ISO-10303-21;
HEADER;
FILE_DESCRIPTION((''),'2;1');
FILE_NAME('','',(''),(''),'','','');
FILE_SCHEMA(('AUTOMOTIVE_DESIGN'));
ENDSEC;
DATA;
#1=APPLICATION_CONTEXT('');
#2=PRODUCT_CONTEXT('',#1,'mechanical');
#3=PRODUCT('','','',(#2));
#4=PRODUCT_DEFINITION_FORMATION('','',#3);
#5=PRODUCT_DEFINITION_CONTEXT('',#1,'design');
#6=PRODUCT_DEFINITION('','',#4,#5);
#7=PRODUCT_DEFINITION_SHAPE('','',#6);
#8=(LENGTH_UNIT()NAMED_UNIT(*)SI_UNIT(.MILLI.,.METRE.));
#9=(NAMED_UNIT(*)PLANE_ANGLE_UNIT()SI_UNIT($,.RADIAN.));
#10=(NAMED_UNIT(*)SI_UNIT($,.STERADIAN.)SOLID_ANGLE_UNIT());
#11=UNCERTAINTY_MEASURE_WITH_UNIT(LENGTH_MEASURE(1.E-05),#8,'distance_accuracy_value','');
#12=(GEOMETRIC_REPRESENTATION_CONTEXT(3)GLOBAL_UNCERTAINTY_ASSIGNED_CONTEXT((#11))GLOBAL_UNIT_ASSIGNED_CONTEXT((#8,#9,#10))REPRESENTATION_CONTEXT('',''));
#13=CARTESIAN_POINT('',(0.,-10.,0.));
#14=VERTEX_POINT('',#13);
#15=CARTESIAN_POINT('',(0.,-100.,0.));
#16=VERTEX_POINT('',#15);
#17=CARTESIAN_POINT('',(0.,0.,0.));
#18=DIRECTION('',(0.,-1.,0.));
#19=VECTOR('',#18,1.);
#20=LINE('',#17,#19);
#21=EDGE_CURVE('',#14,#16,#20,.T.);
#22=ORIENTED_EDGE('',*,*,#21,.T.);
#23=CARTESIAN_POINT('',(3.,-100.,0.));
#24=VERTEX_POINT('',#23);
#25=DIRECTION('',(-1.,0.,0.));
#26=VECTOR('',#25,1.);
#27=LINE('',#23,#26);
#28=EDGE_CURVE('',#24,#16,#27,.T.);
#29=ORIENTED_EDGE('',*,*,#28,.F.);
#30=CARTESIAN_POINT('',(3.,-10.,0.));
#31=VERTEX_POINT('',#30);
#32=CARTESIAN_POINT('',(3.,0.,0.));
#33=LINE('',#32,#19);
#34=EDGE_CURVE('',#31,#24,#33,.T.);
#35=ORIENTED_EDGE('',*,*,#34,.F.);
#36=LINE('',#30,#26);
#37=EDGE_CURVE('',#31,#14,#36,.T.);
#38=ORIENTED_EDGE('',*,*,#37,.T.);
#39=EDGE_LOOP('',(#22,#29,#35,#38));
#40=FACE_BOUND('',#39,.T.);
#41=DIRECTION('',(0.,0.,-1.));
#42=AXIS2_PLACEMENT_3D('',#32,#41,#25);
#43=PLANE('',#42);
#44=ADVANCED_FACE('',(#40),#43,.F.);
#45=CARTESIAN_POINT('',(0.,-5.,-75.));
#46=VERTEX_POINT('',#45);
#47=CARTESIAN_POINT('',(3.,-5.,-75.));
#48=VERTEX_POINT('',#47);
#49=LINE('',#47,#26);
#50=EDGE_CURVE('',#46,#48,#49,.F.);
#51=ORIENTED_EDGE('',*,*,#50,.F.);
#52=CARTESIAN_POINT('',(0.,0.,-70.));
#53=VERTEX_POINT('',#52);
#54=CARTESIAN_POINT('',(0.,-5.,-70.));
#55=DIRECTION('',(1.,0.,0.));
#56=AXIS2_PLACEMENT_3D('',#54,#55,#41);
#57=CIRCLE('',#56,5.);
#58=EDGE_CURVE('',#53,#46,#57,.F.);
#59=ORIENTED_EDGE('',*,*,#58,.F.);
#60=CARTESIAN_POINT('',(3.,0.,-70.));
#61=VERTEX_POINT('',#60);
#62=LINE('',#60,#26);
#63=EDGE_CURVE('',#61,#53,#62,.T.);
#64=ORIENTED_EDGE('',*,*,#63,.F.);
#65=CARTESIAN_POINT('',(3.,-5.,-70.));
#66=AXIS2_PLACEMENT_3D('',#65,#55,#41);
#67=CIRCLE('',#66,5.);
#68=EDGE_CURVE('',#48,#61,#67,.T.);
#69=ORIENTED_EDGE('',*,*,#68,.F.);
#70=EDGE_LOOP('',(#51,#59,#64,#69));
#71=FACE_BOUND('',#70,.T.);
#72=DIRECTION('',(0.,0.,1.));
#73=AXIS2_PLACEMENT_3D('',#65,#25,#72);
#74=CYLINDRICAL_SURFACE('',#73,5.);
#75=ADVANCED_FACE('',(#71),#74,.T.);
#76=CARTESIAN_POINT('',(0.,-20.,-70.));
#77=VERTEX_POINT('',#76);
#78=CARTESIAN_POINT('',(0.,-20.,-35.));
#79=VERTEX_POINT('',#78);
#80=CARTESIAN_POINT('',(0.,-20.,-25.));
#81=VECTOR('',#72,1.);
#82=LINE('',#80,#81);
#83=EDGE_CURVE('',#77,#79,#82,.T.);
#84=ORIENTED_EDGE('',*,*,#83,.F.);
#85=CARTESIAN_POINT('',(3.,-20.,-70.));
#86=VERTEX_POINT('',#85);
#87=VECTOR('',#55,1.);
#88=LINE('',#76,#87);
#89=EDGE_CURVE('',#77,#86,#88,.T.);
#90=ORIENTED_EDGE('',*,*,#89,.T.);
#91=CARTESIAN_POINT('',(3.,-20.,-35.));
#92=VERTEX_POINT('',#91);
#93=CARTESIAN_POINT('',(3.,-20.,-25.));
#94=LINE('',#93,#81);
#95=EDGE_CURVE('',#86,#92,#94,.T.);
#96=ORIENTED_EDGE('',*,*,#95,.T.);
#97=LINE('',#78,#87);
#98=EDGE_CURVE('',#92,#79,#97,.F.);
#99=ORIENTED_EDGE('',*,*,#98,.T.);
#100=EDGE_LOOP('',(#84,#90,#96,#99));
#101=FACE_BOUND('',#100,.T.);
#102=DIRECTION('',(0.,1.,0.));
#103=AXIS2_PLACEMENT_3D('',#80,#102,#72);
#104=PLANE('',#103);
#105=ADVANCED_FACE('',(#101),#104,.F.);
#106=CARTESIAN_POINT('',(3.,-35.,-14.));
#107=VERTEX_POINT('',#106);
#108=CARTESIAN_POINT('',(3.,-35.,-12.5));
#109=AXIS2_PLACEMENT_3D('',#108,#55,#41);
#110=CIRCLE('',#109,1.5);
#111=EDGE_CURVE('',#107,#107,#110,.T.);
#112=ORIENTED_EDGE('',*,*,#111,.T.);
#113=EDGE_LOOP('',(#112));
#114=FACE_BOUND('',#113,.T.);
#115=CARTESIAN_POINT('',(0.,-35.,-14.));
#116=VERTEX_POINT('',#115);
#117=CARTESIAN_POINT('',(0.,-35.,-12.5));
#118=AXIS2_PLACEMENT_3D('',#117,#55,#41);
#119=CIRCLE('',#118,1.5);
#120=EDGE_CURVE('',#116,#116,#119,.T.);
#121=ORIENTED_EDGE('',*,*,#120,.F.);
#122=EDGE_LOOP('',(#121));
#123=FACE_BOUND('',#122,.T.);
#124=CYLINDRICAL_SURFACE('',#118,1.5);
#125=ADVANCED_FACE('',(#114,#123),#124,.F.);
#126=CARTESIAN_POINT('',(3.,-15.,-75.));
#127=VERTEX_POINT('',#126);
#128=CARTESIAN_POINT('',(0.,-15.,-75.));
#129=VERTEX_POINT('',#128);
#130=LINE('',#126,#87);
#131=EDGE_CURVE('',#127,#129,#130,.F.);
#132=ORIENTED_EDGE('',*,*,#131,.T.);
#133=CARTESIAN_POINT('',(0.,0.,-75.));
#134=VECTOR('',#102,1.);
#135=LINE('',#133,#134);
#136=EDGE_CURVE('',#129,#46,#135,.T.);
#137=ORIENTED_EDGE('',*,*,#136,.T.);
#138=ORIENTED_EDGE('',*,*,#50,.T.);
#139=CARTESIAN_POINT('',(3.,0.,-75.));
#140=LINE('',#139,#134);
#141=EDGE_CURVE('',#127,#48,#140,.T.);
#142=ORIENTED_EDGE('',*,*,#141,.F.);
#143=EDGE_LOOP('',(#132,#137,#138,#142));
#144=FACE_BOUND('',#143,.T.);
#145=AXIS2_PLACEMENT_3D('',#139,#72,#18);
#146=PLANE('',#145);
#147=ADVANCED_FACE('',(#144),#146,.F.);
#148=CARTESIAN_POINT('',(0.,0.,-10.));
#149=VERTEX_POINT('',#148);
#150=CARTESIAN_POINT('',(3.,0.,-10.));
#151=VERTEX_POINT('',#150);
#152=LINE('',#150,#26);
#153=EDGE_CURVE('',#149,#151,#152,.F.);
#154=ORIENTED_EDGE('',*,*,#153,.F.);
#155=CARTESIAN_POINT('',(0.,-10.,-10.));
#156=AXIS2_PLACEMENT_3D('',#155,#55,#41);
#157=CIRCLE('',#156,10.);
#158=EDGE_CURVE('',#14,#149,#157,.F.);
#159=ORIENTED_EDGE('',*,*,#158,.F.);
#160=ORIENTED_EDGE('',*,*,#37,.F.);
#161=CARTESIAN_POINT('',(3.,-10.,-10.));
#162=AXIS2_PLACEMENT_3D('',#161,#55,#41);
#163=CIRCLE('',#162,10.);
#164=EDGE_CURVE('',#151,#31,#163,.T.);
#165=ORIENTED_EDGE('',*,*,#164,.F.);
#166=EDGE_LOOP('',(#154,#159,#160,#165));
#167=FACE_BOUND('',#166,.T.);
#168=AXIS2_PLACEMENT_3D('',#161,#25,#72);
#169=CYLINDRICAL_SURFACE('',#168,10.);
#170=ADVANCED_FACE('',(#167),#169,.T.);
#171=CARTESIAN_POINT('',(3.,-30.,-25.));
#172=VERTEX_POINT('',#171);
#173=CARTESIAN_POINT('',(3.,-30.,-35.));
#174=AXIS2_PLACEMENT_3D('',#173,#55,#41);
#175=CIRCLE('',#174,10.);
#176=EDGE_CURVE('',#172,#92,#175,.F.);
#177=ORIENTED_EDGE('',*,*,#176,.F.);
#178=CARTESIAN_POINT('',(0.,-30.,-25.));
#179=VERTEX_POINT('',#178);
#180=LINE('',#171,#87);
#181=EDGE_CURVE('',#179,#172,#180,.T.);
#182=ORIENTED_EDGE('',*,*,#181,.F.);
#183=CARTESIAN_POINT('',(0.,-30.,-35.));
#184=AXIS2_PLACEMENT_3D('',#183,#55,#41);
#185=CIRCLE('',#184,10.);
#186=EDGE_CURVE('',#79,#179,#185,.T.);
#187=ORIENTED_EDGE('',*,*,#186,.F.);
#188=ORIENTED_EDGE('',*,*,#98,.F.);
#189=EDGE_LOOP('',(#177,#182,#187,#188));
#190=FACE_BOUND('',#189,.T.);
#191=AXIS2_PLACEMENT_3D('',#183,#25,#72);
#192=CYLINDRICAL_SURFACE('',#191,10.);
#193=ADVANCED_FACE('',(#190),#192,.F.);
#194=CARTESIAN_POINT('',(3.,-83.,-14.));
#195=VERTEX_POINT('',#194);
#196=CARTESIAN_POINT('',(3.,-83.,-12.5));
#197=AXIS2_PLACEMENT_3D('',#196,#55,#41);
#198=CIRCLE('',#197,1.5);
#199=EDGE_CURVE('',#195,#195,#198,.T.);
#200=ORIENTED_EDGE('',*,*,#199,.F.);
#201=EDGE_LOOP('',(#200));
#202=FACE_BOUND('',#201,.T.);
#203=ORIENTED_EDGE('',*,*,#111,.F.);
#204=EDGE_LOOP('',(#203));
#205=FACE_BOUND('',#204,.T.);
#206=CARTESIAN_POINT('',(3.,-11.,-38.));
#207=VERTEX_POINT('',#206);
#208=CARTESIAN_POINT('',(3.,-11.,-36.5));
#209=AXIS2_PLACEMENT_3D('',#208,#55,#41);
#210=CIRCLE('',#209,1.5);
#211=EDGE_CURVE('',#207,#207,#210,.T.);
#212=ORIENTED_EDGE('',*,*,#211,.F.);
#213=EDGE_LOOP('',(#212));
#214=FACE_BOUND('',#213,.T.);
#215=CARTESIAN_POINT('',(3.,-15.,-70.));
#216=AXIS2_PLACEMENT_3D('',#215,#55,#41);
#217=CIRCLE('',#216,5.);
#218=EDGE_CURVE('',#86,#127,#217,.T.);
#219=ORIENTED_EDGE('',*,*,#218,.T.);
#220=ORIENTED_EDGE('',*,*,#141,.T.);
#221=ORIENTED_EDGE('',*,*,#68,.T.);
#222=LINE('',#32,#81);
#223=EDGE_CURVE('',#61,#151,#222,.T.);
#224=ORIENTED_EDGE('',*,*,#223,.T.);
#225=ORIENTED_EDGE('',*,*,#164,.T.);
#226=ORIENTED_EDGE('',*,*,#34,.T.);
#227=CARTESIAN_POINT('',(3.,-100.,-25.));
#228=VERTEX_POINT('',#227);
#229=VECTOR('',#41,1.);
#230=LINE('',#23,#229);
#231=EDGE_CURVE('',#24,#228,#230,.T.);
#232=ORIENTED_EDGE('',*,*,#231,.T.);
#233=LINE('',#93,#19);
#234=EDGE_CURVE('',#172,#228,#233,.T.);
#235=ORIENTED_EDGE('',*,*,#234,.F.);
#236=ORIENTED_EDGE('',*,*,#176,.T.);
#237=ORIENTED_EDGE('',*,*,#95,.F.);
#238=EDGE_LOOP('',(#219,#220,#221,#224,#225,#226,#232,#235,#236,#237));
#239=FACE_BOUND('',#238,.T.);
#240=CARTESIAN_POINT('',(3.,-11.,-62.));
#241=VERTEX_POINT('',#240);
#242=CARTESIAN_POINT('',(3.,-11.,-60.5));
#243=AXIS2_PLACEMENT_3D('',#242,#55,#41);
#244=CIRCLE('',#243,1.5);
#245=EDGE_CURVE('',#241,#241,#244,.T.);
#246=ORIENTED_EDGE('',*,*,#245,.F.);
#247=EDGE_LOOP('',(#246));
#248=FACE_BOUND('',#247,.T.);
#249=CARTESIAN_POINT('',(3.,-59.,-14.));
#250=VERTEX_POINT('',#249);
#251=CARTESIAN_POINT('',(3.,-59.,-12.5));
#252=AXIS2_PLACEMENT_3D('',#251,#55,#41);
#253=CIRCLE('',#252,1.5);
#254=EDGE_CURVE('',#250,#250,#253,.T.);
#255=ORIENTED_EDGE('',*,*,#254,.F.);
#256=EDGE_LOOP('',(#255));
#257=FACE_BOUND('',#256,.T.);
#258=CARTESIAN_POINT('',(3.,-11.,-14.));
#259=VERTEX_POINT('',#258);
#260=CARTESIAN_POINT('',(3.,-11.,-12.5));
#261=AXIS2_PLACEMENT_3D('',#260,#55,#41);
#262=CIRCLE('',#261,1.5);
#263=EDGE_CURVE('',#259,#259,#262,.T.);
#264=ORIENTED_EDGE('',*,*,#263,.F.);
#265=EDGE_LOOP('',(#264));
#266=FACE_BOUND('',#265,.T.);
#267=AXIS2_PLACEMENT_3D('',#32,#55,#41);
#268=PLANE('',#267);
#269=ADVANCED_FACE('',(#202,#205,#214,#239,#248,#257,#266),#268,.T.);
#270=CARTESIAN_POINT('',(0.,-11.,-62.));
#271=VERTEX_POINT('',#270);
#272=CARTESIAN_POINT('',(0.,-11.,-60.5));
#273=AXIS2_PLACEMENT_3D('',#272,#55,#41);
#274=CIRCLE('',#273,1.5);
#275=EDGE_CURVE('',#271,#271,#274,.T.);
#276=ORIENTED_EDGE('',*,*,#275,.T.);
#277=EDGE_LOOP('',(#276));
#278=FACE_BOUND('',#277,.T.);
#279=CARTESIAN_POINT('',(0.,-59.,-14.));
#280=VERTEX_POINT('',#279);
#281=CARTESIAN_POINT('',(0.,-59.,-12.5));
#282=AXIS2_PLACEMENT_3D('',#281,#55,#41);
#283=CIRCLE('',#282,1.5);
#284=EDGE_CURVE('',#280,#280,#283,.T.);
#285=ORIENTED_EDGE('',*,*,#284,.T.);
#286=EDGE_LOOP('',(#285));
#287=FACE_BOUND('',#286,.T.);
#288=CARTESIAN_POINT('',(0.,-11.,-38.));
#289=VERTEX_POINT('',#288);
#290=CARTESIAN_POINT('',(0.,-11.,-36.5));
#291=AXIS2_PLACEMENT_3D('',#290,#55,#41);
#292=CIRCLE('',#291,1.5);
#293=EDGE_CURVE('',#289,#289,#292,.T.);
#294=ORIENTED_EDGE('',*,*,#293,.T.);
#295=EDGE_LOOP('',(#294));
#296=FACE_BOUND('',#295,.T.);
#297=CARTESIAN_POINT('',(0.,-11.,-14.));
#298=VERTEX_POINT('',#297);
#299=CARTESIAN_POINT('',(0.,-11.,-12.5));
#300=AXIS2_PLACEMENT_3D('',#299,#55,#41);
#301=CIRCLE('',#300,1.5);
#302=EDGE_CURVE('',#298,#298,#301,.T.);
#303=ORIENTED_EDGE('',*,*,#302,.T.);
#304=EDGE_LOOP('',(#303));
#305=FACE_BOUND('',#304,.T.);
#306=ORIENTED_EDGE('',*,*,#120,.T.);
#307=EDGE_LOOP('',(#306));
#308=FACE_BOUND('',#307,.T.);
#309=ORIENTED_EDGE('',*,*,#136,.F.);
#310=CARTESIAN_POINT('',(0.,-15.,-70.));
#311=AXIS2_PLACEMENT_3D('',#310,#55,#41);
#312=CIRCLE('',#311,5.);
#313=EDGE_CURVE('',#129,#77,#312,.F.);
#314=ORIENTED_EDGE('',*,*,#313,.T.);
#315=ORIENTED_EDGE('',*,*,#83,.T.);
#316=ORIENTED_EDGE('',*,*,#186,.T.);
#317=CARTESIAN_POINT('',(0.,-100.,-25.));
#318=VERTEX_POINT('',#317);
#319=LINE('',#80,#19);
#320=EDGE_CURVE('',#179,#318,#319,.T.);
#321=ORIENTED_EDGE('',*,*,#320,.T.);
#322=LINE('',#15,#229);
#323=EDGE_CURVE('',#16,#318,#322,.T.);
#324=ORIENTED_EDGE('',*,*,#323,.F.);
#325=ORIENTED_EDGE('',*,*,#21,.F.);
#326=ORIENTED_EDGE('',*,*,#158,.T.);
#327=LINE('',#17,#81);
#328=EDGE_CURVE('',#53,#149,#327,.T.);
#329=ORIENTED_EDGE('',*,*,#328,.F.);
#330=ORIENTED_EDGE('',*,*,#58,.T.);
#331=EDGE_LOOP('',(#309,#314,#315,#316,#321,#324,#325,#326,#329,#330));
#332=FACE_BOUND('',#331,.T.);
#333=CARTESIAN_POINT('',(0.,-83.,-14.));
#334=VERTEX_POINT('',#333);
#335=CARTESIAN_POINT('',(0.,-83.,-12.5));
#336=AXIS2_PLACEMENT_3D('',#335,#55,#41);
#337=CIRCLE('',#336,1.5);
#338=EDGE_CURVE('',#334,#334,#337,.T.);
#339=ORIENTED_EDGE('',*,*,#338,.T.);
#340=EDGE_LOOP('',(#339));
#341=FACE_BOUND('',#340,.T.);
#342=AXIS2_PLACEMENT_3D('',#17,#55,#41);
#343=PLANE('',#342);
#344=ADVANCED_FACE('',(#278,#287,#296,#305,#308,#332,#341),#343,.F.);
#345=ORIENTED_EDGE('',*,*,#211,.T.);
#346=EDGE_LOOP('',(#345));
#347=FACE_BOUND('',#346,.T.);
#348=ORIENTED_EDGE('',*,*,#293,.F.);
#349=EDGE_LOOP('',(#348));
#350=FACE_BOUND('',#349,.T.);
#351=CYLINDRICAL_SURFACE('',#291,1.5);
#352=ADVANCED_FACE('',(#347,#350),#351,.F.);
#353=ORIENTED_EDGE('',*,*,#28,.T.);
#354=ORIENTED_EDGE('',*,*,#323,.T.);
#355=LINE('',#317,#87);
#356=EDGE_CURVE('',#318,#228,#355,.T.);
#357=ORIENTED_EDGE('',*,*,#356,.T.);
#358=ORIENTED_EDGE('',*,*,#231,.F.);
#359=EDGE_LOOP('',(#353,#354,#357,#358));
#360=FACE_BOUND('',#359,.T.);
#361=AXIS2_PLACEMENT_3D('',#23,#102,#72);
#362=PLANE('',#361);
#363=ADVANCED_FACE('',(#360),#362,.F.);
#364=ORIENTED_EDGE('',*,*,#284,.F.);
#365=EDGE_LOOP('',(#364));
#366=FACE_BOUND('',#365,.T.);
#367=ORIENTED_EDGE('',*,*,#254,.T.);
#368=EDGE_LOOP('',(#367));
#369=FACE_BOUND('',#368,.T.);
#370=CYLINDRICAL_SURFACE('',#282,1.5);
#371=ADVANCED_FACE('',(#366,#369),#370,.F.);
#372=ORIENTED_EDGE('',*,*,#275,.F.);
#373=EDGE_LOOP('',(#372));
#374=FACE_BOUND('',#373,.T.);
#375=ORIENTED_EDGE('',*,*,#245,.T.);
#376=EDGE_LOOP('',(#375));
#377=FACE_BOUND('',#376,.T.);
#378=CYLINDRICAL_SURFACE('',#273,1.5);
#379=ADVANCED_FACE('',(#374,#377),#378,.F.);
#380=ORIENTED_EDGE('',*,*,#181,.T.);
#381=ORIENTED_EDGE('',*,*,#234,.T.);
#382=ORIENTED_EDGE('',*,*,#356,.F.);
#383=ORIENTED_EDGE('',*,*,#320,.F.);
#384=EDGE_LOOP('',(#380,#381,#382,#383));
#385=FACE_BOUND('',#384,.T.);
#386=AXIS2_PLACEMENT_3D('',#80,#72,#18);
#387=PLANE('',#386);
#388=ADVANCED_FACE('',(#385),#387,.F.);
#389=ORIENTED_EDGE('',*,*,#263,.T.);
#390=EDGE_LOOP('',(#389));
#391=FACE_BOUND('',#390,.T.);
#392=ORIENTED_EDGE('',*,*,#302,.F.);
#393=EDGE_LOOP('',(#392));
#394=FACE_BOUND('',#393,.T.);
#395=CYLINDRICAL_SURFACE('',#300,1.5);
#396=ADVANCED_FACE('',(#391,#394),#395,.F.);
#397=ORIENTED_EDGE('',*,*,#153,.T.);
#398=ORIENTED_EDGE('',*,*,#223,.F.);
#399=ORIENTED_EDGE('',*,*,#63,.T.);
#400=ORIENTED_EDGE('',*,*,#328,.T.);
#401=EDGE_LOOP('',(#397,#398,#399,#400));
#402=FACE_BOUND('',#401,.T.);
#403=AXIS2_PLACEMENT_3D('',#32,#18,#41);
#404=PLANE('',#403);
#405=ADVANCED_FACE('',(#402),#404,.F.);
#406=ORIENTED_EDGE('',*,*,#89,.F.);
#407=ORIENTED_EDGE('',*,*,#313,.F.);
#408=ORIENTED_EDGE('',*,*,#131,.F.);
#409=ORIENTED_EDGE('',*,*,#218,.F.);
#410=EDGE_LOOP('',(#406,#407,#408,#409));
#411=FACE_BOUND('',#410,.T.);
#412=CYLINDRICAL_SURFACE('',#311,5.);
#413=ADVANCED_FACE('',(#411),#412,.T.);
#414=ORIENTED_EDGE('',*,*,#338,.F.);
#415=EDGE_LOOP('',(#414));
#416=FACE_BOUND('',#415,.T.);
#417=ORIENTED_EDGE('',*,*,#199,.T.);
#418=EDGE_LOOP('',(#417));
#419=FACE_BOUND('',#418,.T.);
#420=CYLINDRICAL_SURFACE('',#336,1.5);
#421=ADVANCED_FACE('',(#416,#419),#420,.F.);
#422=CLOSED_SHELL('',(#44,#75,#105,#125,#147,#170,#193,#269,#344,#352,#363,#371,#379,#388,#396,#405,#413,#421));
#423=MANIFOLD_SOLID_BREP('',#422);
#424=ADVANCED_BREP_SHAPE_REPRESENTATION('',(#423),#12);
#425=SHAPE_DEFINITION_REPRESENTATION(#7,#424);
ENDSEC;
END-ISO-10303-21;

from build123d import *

# Parameters (mm, degrees)
CROQUIS1_W              = 75
CROQUIS1_H              = 100
SALIENTE_EXTRUIR1_DEPTH = 3
CROQUIS2_W              = 50
CROQUIS2_H              = 80
CORTAR_EXTRUIR1_DEPTH   = 3
REDONDEO1_R             = 10
REDONDEO3_R             = 5
CROQUIS3_R              = 1.5
CORTAR_EXTRUIR2_DEPTH   = 3


with BuildPart() as part:
    # Croquis1 → Saliente-Extruir1 (new body)
    with BuildSketch(Plane(origin=(0, 0, 0), x_dir=(0, 0, -1), z_dir=(1, 0, 0))):
        with Locations((37.5, -50)):
            Rectangle(CROQUIS1_W, CROQUIS1_H)
    extrude(amount=SALIENTE_EXTRUIR1_DEPTH)

    # Croquis2 → Cortar-Extruir1 (cut)
    with BuildSketch(Plane(origin=(3, 0, 0), x_dir=(0, 0, -1), z_dir=(1, 0, 0))):
        with Locations((50, -60)):
            Rectangle(CROQUIS2_W, CROQUIS2_H)
    extrude(amount=-CORTAR_EXTRUIR1_DEPTH, mode=Mode.SUBTRACT)

    # Redondeo1
    redondeo1_edges = [part.edges().sort_by_distance(p)[0] for p in [
        (1.5, -20, -25),
        (1.5, 0, 0),
    ]]
    fillet(redondeo1_edges, radius=REDONDEO1_R)

    # Redondeo3
    redondeo3_edges = [part.edges().sort_by_distance(p)[0] for p in [
        (1.5, -20, -75),
        (1.5, 0, -75),
    ]]
    fillet(redondeo3_edges, radius=REDONDEO3_R)

    # Croquis3 → Cortar-Extruir2 (cut)
    with BuildSketch(Plane(origin=(3, 0, 0), x_dir=(0, 0, -1), z_dir=(1, 0, 0))):
        with Locations((12.5, -11)):
            Circle(CROQUIS3_R)
        with Locations((12.5, -59)):
            Circle(CROQUIS3_R)
        with Locations((12.5, -83)):
            Circle(CROQUIS3_R)
        with Locations((12.5, -35)):
            Circle(CROQUIS3_R)
        with Locations((36.5, -11)):
            Circle(CROQUIS3_R)
        with Locations((60.5, -11)):
            Circle(CROQUIS3_R)
    extrude(amount=-CORTAR_EXTRUIR2_DEPTH, mode=Mode.SUBTRACT)


solid = part.part
